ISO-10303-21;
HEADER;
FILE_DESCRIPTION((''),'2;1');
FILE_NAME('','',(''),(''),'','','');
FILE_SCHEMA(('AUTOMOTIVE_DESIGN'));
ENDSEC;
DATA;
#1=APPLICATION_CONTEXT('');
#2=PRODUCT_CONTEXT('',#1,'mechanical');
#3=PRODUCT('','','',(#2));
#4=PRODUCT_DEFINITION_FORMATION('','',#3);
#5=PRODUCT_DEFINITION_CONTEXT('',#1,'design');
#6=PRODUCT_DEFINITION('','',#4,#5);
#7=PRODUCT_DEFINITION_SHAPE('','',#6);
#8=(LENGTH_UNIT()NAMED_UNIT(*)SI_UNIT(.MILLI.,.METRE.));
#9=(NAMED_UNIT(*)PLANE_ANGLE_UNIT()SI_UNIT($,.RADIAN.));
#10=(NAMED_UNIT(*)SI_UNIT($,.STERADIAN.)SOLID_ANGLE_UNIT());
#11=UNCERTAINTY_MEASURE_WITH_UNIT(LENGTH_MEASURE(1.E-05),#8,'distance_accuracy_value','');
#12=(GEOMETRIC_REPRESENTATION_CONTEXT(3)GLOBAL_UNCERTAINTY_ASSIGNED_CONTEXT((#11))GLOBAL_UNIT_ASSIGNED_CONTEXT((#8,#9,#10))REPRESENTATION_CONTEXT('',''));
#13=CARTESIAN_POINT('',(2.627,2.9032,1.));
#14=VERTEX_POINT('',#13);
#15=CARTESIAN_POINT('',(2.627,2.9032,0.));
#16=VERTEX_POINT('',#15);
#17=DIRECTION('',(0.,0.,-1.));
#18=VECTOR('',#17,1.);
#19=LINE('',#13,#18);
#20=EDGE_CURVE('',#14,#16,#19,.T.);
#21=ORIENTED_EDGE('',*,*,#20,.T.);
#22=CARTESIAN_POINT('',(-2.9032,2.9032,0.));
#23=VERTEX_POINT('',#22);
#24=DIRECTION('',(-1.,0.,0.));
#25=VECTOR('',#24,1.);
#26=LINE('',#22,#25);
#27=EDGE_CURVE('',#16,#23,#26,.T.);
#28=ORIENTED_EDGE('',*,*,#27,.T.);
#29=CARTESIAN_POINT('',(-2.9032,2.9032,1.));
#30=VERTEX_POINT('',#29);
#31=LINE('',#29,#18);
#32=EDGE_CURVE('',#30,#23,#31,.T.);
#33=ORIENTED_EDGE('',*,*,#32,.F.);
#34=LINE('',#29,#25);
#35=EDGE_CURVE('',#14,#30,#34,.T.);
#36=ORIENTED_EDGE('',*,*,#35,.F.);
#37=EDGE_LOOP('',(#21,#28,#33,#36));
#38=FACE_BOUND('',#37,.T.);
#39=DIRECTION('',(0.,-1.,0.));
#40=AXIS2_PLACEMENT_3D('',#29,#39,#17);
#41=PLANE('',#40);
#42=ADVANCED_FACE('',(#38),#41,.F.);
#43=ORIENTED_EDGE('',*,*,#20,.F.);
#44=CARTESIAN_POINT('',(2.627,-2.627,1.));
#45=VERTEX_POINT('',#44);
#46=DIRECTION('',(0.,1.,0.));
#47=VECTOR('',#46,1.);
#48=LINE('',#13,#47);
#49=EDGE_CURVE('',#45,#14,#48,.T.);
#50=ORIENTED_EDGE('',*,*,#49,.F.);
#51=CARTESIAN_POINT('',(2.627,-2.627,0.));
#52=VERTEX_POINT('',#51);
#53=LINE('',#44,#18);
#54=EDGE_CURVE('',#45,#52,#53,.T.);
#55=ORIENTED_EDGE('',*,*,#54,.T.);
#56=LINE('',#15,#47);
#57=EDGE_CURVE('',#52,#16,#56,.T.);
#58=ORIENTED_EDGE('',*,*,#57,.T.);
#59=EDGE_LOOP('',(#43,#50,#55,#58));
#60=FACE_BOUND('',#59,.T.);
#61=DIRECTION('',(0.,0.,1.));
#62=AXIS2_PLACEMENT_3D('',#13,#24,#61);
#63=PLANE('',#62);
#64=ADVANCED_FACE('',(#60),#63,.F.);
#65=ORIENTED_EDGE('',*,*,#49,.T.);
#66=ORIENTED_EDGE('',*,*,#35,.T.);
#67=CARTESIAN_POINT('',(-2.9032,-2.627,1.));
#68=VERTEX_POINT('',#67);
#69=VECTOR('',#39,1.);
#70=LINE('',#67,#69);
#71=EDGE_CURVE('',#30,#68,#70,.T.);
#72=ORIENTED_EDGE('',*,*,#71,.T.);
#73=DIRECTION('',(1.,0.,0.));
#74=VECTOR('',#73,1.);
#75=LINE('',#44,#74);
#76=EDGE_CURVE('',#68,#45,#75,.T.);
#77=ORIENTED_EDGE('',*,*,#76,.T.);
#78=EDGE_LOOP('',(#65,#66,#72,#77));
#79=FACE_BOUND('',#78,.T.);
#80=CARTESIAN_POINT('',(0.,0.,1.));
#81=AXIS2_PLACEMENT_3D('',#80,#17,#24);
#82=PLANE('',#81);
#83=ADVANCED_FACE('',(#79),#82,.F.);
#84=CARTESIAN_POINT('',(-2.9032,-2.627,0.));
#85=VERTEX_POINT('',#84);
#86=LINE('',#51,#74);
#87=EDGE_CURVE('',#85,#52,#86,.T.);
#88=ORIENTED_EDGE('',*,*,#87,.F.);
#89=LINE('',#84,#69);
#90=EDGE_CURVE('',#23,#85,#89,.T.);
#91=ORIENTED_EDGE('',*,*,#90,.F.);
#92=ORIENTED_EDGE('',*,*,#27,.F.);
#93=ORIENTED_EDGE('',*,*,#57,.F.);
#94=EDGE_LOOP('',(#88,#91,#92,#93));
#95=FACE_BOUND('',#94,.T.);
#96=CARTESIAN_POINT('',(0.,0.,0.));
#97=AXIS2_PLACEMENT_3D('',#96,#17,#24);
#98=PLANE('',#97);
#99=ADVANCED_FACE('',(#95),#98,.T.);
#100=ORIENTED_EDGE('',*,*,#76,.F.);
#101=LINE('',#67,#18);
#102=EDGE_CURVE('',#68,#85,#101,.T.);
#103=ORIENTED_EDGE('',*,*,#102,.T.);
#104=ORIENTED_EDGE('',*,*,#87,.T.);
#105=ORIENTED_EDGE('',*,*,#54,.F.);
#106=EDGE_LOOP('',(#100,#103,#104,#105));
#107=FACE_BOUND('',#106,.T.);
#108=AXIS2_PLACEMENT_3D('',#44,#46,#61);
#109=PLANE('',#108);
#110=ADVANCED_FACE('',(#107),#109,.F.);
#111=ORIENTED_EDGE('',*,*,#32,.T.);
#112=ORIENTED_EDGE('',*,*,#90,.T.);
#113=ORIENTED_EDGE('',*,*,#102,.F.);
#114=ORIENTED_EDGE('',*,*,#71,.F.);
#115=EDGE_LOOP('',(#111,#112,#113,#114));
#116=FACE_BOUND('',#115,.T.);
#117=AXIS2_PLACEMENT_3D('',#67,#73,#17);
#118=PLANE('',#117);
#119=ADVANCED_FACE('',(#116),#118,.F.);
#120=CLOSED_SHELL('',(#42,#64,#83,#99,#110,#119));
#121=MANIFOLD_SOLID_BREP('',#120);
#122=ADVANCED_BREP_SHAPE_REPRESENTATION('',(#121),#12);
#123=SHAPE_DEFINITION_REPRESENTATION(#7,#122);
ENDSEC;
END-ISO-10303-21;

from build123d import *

# Parameters (mm, degrees)
ESQUISSE1_W             = 5.5302
ESQUISSE1_H             = 5.5302
COMPONENT_OUTLINE_DEPTH = 1


with BuildPart() as part:
    # Esquisse1 → Component_Outline (new body)
    with BuildSketch(Plane.XY):
        with Locations((-0.1381, 0.1381)):
            Rectangle(ESQUISSE1_W, ESQUISSE1_H)
    extrude(amount=COMPONENT_OUTLINE_DEPTH)


solid = part.part
